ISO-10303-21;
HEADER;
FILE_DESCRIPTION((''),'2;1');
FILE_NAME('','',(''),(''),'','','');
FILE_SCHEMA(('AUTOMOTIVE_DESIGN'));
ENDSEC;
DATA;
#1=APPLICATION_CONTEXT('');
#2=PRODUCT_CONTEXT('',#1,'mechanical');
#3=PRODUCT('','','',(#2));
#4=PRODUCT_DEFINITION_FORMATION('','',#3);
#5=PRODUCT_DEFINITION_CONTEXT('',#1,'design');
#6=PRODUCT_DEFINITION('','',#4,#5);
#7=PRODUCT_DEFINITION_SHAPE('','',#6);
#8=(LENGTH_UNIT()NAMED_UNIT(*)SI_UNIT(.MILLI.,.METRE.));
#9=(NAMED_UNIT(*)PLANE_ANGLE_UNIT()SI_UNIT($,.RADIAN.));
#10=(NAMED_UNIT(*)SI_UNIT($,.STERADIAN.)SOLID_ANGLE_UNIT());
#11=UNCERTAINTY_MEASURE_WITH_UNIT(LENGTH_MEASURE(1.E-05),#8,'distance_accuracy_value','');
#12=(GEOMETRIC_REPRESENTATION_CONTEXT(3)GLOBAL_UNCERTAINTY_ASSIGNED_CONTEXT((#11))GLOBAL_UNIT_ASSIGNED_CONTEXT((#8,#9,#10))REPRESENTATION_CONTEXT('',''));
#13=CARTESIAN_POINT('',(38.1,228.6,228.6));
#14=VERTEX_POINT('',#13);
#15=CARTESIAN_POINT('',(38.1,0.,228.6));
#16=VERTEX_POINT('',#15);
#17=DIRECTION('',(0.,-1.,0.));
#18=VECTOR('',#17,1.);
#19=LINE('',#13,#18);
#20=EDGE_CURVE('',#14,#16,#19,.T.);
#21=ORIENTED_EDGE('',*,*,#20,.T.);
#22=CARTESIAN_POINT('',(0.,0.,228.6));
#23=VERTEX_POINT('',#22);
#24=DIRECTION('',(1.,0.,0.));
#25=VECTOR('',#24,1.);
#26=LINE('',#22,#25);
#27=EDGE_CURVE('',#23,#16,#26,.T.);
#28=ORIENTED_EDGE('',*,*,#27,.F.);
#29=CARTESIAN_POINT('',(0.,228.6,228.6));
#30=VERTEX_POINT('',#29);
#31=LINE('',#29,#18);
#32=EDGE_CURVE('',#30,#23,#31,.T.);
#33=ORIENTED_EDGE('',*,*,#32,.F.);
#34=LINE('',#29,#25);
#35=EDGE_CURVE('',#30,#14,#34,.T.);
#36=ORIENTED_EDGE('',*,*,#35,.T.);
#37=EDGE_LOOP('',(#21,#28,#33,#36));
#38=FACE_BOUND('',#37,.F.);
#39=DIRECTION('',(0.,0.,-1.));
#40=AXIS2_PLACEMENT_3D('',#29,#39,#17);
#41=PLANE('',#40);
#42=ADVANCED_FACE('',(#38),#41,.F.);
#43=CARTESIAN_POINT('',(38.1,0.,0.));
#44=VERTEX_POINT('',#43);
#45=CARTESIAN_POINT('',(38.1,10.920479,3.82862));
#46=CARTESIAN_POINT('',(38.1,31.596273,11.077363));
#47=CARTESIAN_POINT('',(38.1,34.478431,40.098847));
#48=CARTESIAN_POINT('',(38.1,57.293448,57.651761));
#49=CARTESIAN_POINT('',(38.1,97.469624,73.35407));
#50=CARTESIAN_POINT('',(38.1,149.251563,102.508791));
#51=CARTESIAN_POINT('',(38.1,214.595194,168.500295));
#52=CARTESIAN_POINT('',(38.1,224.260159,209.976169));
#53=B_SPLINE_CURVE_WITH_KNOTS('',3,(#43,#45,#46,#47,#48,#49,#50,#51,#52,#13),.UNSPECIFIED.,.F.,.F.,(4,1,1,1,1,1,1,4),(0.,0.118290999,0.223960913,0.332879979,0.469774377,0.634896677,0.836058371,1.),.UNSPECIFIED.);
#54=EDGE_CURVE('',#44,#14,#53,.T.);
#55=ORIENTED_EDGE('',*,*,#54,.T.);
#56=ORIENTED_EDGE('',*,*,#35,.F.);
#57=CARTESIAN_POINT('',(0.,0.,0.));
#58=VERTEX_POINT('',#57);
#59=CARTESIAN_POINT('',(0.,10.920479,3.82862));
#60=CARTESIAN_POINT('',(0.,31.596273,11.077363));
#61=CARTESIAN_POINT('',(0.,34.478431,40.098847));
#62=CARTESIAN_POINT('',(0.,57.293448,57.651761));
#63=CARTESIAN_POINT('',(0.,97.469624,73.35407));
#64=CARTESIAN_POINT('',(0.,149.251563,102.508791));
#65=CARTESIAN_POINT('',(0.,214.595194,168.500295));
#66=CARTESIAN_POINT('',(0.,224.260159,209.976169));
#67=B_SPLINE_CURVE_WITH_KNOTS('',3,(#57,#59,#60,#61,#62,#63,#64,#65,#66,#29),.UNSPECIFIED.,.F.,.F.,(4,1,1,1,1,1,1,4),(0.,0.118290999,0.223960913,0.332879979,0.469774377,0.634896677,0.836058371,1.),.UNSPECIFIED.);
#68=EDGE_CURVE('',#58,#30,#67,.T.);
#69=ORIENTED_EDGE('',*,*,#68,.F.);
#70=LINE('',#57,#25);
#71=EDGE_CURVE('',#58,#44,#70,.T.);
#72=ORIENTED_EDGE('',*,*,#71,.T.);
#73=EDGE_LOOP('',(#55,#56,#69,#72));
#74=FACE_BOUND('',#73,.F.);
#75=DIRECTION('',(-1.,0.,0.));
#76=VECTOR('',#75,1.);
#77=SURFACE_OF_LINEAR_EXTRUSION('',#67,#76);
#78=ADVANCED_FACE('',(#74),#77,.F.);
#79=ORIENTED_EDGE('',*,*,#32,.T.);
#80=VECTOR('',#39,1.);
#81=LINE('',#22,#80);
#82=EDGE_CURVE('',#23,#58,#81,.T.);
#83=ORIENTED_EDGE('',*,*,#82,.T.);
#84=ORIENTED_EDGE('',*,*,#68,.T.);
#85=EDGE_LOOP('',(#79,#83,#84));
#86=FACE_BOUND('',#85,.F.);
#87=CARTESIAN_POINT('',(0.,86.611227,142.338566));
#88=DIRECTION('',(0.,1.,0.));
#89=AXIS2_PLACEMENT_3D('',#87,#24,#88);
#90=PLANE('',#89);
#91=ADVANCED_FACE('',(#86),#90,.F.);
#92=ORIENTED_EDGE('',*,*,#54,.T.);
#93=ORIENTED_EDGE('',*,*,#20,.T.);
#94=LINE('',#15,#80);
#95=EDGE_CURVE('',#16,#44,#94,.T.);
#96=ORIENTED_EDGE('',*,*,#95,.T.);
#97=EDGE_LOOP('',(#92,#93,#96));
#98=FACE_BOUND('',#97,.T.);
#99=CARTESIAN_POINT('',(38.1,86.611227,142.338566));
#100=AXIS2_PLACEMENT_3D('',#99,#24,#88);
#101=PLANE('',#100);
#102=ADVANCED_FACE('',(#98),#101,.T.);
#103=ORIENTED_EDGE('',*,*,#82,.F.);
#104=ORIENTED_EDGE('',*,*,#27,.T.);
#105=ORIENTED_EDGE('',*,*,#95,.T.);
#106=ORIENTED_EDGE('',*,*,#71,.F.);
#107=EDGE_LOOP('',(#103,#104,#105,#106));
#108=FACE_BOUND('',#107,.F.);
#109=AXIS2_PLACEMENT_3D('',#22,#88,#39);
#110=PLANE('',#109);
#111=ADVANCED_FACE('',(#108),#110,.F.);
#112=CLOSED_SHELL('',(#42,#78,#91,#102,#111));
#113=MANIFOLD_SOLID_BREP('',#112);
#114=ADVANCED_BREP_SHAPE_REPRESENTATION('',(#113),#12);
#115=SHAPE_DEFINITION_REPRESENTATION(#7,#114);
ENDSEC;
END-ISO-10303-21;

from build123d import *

# Parameters (mm, degrees)
F1_DEPTH = 38.1


with BuildPart() as f1:
    # F0 (on Right) → F1 (new body)
    with BuildSketch(Plane.YZ):
        with BuildLine():
            Line((0, 228.6), (0, 0))
            add(Edge.make_bspline(
                [(0, 0), (10.9204787336, 3.8286195096), (31.5962732673, 11.0773631096), (34.4784305215, 40.0988468331), (57.2934481538, 57.6517611977), (97.4696235321, 73.3540699636), (149.2515631329, 102.5087907854), (214.5951937367, 168.5002947664), (224.2601594215, 209.9761693932), (228.6, 228.6)],
                knots=[0, 0, 0, 0, 0.1182909991, 0.2239609135, 0.3328799794, 0.4697743768, 0.6348966766, 0.836058371, 1, 1, 1, 1], degree=3))
            Line((228.6, 228.6), (0, 228.6))
        make_face()
    extrude(amount=F1_DEPTH)


solid = f1.part
